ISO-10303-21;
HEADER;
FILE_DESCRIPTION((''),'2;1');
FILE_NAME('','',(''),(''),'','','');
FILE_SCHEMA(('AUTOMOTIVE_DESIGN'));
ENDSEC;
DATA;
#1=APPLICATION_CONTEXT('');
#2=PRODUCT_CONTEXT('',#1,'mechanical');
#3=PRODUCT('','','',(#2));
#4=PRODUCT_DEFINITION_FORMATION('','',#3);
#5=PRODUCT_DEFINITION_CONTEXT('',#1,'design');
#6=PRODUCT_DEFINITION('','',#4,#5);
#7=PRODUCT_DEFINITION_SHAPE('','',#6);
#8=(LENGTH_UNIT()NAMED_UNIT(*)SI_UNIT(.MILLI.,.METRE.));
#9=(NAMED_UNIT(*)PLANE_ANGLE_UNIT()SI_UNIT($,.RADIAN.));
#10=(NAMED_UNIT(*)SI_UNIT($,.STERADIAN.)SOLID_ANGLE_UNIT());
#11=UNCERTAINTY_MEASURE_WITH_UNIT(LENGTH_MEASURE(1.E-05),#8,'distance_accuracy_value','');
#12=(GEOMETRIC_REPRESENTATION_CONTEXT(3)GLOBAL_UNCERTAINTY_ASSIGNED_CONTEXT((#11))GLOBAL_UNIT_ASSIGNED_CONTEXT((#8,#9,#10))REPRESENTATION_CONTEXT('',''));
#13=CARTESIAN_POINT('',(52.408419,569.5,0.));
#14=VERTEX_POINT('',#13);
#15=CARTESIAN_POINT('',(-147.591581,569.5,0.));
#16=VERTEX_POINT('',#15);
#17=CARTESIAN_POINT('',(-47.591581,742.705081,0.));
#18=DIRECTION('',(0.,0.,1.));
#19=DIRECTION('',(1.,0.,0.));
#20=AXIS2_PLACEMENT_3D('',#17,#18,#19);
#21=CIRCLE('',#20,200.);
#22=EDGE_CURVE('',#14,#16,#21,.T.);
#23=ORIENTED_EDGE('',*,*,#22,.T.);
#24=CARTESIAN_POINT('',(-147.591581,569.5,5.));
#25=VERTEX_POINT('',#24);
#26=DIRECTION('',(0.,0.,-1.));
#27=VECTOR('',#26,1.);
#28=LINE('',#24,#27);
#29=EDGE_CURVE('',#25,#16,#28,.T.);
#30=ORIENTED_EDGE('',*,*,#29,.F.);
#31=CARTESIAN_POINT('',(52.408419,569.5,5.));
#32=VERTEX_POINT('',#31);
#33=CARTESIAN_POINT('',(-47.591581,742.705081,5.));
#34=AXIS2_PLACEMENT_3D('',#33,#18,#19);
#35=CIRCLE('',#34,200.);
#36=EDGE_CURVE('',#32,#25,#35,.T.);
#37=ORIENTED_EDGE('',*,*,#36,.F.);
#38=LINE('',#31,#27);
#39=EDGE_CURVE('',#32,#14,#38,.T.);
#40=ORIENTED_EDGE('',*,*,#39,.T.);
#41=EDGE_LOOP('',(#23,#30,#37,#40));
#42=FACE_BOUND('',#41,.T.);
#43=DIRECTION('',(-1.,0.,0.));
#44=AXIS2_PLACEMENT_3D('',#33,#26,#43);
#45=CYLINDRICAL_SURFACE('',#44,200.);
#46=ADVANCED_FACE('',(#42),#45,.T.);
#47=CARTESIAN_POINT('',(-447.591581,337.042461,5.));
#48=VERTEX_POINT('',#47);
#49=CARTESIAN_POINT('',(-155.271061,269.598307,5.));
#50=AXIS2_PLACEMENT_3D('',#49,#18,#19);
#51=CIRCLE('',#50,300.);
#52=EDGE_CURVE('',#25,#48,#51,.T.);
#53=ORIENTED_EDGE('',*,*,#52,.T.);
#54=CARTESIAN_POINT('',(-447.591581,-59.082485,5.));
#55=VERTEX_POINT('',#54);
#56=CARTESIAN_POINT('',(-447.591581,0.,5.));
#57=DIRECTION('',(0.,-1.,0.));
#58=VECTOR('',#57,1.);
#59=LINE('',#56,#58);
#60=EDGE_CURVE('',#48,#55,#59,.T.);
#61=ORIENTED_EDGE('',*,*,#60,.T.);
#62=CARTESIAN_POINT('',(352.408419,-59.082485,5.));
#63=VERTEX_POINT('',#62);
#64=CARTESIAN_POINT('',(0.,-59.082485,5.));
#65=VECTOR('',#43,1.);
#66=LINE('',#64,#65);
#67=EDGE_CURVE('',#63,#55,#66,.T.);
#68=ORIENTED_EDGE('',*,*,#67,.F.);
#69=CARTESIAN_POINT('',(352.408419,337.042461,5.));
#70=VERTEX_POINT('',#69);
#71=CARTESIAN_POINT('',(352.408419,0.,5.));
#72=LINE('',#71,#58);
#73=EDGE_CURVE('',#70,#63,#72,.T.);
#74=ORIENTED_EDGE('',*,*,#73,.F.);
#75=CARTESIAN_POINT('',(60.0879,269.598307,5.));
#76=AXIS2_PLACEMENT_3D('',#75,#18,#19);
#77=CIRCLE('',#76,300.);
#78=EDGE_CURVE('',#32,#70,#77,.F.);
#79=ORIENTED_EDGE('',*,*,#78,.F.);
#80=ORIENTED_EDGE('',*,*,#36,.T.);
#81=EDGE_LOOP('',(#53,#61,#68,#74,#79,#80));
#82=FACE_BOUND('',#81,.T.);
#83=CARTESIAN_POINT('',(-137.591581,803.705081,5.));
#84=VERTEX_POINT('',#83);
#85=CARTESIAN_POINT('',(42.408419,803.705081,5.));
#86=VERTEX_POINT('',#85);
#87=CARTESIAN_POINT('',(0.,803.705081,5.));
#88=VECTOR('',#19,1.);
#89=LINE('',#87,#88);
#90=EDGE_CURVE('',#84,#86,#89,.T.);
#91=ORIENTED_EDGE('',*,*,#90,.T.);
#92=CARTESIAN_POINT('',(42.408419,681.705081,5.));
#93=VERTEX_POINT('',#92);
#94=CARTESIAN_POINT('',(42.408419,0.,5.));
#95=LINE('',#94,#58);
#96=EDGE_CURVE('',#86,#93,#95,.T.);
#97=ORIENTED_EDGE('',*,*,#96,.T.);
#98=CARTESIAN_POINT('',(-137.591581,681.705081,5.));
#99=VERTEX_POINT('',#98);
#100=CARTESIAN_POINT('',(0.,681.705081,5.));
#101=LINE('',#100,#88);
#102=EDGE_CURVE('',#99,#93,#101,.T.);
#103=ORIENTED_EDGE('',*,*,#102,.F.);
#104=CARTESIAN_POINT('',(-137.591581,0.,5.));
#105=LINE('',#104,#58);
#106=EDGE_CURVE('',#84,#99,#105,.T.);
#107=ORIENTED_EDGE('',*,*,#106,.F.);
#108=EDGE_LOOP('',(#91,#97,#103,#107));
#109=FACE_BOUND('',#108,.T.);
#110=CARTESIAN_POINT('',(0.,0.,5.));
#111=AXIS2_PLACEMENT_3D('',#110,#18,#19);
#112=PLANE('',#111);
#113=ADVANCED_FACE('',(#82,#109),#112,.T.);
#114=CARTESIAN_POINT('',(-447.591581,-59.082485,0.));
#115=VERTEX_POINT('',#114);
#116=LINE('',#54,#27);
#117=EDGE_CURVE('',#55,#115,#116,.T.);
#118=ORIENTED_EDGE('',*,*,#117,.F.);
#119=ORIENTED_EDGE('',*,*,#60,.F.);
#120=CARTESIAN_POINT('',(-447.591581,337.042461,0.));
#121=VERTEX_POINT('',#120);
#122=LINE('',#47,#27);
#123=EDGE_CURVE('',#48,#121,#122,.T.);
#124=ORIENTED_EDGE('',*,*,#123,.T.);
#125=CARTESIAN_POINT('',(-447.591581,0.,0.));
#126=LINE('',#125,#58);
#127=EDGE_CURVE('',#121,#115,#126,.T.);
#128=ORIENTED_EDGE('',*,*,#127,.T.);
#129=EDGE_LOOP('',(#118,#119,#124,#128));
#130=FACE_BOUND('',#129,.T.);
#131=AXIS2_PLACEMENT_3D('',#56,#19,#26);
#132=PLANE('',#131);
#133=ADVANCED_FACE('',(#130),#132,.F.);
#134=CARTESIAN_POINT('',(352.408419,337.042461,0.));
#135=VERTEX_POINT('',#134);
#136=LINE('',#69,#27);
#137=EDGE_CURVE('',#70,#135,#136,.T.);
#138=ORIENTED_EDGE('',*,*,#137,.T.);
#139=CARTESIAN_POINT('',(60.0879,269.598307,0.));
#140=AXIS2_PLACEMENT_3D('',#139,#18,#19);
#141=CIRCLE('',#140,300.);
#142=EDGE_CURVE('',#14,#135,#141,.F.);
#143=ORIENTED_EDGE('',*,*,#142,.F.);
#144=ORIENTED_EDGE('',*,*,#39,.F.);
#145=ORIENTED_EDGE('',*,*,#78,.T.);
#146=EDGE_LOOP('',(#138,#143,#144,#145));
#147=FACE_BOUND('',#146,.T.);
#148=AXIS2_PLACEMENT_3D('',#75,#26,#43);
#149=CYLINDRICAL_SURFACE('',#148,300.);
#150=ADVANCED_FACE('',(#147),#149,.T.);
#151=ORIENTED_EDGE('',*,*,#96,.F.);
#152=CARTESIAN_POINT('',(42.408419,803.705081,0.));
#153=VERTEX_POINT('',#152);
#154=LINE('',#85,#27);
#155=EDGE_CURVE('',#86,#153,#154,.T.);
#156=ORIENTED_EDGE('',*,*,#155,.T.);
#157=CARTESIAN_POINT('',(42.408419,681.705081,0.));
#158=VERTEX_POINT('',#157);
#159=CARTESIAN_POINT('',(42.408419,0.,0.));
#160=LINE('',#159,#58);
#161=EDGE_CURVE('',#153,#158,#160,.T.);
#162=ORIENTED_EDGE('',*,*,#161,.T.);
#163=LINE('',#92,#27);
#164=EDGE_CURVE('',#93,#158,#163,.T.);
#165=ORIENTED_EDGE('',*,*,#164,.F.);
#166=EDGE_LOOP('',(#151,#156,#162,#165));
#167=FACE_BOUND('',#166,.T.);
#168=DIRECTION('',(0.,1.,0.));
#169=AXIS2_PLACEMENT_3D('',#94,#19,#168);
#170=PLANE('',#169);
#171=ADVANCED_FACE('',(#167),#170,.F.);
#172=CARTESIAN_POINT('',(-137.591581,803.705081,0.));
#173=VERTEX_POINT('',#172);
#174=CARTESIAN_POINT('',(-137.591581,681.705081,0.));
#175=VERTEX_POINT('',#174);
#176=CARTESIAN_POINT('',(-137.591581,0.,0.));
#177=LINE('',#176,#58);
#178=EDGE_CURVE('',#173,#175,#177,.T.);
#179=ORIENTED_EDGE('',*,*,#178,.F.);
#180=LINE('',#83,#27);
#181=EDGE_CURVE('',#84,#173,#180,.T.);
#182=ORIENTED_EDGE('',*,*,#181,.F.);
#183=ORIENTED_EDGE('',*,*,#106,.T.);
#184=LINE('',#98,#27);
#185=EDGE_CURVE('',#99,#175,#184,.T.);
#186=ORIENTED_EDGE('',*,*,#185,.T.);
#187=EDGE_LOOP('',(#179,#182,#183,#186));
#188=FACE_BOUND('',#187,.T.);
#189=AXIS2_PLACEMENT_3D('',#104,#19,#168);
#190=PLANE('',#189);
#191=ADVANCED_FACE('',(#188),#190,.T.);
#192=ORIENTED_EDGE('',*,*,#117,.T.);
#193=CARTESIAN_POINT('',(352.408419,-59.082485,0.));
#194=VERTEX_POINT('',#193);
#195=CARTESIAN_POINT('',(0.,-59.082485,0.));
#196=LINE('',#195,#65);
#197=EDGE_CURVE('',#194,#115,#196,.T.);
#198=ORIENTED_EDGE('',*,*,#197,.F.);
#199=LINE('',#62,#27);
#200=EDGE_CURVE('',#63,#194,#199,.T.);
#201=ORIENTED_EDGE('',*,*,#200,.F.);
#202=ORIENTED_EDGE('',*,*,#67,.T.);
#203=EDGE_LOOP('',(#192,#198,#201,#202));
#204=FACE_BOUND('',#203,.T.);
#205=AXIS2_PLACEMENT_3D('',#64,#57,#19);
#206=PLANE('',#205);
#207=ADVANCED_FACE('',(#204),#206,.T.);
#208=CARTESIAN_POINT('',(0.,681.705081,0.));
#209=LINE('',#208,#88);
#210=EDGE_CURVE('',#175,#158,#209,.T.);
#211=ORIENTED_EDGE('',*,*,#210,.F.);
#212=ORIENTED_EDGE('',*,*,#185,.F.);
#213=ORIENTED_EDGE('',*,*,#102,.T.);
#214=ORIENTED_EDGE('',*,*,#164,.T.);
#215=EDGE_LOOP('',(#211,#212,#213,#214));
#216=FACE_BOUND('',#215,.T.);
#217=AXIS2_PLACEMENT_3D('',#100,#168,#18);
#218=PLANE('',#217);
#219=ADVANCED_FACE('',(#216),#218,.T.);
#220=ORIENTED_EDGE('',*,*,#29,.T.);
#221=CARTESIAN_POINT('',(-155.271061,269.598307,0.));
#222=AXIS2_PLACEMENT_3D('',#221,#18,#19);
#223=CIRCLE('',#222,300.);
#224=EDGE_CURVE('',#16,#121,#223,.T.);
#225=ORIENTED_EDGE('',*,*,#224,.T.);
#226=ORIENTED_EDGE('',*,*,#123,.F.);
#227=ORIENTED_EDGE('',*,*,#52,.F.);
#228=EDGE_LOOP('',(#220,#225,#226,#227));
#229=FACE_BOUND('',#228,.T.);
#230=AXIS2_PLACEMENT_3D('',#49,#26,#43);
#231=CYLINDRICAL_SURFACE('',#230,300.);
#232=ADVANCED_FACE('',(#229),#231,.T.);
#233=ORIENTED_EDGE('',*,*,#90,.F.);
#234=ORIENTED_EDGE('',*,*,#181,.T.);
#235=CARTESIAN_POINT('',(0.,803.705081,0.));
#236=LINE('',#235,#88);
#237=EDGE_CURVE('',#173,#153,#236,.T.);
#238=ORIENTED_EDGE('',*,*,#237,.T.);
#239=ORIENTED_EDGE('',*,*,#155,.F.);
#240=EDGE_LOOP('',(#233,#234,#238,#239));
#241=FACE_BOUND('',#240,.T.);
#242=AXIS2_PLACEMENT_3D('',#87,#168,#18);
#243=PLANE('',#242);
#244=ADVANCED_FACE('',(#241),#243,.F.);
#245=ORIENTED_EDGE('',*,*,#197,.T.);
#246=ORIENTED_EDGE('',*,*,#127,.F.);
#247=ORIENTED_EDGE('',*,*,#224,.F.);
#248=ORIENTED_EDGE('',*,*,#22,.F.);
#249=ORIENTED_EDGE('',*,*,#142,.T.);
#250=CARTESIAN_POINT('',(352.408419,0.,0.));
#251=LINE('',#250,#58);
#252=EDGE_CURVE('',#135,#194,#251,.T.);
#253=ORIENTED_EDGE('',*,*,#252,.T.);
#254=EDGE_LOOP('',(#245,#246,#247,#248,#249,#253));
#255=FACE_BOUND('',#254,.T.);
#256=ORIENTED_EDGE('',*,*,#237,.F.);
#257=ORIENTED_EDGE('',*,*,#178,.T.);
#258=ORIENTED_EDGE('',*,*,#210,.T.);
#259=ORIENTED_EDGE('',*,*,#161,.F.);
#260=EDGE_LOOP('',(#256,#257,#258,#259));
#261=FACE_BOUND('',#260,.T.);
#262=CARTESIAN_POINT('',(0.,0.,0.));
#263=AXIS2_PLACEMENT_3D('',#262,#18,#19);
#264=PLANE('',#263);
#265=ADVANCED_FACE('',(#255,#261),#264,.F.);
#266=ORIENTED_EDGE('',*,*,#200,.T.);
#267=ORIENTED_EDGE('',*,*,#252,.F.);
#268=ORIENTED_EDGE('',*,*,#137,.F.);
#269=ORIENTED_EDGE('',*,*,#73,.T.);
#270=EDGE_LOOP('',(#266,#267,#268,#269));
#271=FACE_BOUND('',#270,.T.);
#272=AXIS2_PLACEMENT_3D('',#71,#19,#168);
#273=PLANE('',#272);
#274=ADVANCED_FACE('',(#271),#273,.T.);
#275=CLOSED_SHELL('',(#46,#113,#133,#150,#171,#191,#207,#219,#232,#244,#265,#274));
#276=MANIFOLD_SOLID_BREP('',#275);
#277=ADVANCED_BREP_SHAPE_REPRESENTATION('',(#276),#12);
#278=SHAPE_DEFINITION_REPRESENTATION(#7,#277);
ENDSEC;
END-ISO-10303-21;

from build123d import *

# Parameters (mm, degrees)
SKETCH1_W           = 180
SKETCH1_H           = 122
BOSS_EXTRUDE1_DEPTH = 5


with BuildPart() as part:
    # Sketch1 → Boss-Extrude1 (new body)
    with BuildSketch(Plane.XY):
        with BuildLine():
            Line((-447.591580819, 337.042460879), (-447.591580819, -59.082484796))
            Line((-447.591580819, -59.082484796), (352.408419181, -59.082484796))
            Line((352.408419181, -59.082484796), (352.408419181, 337.042460879))
            ThreePointArc((352.408419181, 337.042460879), (243.83842934, 506.739072759), (52.408419181, 569.5))
            ThreePointArc((52.408419181, 569.5), (-47.591580819, 942.705080757), (-147.591580819, 569.5))
            ThreePointArc((-147.591580819, 569.5), (-339.021590977, 506.739072759), (-447.591580819, 337.042460879))
        make_face()
        with Locations((-47.591580819, 742.705080757)):
            Rectangle(SKETCH1_W, SKETCH1_H, mode=Mode.SUBTRACT)
    extrude(amount=BOSS_EXTRUDE1_DEPTH)


solid = part.part
